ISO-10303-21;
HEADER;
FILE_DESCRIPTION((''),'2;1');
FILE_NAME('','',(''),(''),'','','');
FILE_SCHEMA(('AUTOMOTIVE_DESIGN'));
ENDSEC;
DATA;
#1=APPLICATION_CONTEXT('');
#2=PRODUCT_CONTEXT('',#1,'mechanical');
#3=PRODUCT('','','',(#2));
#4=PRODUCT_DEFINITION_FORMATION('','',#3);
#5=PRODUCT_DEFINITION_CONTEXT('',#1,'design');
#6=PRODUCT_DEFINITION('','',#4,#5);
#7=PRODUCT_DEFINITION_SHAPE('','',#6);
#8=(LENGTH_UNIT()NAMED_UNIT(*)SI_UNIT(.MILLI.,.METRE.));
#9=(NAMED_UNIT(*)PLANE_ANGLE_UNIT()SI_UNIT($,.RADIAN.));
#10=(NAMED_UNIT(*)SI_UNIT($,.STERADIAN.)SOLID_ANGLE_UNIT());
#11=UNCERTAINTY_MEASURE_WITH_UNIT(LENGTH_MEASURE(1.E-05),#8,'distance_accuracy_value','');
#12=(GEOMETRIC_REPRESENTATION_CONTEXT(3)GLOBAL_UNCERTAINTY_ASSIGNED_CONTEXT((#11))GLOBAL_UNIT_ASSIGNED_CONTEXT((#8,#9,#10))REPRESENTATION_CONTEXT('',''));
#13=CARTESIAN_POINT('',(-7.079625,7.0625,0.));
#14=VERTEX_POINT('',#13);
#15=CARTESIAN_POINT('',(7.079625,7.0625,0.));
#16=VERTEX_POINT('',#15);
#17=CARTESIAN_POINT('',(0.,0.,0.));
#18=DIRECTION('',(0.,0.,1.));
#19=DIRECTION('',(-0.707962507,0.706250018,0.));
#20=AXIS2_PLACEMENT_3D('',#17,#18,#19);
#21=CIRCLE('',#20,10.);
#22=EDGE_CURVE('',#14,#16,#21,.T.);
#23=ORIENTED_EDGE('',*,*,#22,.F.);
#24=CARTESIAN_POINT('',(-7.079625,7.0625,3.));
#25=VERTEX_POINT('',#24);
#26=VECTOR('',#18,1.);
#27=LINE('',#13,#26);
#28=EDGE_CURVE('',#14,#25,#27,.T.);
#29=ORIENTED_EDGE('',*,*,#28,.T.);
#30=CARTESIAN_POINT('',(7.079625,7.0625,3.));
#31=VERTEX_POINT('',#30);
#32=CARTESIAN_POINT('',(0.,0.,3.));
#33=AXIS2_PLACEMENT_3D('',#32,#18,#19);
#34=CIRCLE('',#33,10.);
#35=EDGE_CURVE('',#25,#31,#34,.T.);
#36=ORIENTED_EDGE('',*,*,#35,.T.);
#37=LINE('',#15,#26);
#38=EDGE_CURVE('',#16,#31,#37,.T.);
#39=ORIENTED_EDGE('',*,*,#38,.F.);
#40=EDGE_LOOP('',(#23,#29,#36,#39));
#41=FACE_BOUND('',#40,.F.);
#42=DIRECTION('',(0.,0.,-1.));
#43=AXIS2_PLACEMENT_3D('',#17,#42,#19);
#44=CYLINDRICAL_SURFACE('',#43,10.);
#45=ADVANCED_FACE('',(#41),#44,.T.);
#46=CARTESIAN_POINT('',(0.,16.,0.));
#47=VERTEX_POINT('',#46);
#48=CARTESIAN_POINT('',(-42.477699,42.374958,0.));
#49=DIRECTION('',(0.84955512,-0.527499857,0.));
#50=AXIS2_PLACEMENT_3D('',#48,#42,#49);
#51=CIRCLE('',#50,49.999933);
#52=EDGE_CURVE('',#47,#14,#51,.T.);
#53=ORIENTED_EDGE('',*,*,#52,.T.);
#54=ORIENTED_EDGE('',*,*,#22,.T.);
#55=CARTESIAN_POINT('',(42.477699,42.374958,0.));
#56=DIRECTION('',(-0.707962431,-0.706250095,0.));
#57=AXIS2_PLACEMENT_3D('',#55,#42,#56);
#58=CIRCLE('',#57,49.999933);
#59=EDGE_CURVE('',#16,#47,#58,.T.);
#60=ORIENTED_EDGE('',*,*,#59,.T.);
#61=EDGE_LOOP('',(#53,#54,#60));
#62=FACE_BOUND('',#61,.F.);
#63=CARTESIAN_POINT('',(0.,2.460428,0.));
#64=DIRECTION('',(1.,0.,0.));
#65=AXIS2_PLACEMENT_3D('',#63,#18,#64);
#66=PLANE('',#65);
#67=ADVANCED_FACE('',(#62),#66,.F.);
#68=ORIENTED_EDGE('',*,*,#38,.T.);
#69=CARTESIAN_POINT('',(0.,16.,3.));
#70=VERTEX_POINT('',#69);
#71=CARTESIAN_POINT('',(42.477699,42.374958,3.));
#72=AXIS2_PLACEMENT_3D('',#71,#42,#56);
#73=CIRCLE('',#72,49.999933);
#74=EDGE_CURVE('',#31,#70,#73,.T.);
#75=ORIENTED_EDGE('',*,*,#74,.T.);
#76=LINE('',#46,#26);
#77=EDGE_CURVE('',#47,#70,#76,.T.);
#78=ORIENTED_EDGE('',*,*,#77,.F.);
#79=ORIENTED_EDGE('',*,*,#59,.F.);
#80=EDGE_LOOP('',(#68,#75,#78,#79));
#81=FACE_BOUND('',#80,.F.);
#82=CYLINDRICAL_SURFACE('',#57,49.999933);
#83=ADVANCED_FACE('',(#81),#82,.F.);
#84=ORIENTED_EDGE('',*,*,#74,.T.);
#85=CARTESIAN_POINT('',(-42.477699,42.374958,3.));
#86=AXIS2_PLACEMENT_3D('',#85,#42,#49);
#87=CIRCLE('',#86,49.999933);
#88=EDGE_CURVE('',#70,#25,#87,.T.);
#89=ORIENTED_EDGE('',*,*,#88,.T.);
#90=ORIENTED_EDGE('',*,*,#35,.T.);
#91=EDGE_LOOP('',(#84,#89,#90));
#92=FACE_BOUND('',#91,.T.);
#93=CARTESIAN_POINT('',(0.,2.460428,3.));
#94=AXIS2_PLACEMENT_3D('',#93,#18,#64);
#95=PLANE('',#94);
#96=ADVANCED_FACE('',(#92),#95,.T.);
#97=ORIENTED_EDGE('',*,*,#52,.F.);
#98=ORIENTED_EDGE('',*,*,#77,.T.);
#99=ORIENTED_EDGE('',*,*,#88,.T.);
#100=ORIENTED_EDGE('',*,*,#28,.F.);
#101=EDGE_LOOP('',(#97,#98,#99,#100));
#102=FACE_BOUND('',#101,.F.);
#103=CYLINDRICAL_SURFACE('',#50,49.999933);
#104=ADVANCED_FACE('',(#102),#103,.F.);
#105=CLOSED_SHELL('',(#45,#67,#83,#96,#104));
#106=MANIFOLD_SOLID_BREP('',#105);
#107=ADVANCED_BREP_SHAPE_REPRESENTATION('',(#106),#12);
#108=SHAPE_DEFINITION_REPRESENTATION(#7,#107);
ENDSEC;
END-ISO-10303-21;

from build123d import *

# Parameters (mm, degrees)
F1_DEPTH = 3


with BuildPart() as f1:
    # F0 (on Top) → F1 (new body)
    with BuildSketch(Plane.XY):
        with BuildLine():
            ThreePointArc((0, 16), (-3.284221, 11.328789), (-7.079625, 7.0625))
            ThreePointArc((-7.079625, 7.0625), (0, -10), (7.079625, 7.0625))
            ThreePointArc((7.079625, 7.0625), (3.284221, 11.328789), (0, 16))
        make_face()
    extrude(amount=F1_DEPTH)


solid = f1.part
